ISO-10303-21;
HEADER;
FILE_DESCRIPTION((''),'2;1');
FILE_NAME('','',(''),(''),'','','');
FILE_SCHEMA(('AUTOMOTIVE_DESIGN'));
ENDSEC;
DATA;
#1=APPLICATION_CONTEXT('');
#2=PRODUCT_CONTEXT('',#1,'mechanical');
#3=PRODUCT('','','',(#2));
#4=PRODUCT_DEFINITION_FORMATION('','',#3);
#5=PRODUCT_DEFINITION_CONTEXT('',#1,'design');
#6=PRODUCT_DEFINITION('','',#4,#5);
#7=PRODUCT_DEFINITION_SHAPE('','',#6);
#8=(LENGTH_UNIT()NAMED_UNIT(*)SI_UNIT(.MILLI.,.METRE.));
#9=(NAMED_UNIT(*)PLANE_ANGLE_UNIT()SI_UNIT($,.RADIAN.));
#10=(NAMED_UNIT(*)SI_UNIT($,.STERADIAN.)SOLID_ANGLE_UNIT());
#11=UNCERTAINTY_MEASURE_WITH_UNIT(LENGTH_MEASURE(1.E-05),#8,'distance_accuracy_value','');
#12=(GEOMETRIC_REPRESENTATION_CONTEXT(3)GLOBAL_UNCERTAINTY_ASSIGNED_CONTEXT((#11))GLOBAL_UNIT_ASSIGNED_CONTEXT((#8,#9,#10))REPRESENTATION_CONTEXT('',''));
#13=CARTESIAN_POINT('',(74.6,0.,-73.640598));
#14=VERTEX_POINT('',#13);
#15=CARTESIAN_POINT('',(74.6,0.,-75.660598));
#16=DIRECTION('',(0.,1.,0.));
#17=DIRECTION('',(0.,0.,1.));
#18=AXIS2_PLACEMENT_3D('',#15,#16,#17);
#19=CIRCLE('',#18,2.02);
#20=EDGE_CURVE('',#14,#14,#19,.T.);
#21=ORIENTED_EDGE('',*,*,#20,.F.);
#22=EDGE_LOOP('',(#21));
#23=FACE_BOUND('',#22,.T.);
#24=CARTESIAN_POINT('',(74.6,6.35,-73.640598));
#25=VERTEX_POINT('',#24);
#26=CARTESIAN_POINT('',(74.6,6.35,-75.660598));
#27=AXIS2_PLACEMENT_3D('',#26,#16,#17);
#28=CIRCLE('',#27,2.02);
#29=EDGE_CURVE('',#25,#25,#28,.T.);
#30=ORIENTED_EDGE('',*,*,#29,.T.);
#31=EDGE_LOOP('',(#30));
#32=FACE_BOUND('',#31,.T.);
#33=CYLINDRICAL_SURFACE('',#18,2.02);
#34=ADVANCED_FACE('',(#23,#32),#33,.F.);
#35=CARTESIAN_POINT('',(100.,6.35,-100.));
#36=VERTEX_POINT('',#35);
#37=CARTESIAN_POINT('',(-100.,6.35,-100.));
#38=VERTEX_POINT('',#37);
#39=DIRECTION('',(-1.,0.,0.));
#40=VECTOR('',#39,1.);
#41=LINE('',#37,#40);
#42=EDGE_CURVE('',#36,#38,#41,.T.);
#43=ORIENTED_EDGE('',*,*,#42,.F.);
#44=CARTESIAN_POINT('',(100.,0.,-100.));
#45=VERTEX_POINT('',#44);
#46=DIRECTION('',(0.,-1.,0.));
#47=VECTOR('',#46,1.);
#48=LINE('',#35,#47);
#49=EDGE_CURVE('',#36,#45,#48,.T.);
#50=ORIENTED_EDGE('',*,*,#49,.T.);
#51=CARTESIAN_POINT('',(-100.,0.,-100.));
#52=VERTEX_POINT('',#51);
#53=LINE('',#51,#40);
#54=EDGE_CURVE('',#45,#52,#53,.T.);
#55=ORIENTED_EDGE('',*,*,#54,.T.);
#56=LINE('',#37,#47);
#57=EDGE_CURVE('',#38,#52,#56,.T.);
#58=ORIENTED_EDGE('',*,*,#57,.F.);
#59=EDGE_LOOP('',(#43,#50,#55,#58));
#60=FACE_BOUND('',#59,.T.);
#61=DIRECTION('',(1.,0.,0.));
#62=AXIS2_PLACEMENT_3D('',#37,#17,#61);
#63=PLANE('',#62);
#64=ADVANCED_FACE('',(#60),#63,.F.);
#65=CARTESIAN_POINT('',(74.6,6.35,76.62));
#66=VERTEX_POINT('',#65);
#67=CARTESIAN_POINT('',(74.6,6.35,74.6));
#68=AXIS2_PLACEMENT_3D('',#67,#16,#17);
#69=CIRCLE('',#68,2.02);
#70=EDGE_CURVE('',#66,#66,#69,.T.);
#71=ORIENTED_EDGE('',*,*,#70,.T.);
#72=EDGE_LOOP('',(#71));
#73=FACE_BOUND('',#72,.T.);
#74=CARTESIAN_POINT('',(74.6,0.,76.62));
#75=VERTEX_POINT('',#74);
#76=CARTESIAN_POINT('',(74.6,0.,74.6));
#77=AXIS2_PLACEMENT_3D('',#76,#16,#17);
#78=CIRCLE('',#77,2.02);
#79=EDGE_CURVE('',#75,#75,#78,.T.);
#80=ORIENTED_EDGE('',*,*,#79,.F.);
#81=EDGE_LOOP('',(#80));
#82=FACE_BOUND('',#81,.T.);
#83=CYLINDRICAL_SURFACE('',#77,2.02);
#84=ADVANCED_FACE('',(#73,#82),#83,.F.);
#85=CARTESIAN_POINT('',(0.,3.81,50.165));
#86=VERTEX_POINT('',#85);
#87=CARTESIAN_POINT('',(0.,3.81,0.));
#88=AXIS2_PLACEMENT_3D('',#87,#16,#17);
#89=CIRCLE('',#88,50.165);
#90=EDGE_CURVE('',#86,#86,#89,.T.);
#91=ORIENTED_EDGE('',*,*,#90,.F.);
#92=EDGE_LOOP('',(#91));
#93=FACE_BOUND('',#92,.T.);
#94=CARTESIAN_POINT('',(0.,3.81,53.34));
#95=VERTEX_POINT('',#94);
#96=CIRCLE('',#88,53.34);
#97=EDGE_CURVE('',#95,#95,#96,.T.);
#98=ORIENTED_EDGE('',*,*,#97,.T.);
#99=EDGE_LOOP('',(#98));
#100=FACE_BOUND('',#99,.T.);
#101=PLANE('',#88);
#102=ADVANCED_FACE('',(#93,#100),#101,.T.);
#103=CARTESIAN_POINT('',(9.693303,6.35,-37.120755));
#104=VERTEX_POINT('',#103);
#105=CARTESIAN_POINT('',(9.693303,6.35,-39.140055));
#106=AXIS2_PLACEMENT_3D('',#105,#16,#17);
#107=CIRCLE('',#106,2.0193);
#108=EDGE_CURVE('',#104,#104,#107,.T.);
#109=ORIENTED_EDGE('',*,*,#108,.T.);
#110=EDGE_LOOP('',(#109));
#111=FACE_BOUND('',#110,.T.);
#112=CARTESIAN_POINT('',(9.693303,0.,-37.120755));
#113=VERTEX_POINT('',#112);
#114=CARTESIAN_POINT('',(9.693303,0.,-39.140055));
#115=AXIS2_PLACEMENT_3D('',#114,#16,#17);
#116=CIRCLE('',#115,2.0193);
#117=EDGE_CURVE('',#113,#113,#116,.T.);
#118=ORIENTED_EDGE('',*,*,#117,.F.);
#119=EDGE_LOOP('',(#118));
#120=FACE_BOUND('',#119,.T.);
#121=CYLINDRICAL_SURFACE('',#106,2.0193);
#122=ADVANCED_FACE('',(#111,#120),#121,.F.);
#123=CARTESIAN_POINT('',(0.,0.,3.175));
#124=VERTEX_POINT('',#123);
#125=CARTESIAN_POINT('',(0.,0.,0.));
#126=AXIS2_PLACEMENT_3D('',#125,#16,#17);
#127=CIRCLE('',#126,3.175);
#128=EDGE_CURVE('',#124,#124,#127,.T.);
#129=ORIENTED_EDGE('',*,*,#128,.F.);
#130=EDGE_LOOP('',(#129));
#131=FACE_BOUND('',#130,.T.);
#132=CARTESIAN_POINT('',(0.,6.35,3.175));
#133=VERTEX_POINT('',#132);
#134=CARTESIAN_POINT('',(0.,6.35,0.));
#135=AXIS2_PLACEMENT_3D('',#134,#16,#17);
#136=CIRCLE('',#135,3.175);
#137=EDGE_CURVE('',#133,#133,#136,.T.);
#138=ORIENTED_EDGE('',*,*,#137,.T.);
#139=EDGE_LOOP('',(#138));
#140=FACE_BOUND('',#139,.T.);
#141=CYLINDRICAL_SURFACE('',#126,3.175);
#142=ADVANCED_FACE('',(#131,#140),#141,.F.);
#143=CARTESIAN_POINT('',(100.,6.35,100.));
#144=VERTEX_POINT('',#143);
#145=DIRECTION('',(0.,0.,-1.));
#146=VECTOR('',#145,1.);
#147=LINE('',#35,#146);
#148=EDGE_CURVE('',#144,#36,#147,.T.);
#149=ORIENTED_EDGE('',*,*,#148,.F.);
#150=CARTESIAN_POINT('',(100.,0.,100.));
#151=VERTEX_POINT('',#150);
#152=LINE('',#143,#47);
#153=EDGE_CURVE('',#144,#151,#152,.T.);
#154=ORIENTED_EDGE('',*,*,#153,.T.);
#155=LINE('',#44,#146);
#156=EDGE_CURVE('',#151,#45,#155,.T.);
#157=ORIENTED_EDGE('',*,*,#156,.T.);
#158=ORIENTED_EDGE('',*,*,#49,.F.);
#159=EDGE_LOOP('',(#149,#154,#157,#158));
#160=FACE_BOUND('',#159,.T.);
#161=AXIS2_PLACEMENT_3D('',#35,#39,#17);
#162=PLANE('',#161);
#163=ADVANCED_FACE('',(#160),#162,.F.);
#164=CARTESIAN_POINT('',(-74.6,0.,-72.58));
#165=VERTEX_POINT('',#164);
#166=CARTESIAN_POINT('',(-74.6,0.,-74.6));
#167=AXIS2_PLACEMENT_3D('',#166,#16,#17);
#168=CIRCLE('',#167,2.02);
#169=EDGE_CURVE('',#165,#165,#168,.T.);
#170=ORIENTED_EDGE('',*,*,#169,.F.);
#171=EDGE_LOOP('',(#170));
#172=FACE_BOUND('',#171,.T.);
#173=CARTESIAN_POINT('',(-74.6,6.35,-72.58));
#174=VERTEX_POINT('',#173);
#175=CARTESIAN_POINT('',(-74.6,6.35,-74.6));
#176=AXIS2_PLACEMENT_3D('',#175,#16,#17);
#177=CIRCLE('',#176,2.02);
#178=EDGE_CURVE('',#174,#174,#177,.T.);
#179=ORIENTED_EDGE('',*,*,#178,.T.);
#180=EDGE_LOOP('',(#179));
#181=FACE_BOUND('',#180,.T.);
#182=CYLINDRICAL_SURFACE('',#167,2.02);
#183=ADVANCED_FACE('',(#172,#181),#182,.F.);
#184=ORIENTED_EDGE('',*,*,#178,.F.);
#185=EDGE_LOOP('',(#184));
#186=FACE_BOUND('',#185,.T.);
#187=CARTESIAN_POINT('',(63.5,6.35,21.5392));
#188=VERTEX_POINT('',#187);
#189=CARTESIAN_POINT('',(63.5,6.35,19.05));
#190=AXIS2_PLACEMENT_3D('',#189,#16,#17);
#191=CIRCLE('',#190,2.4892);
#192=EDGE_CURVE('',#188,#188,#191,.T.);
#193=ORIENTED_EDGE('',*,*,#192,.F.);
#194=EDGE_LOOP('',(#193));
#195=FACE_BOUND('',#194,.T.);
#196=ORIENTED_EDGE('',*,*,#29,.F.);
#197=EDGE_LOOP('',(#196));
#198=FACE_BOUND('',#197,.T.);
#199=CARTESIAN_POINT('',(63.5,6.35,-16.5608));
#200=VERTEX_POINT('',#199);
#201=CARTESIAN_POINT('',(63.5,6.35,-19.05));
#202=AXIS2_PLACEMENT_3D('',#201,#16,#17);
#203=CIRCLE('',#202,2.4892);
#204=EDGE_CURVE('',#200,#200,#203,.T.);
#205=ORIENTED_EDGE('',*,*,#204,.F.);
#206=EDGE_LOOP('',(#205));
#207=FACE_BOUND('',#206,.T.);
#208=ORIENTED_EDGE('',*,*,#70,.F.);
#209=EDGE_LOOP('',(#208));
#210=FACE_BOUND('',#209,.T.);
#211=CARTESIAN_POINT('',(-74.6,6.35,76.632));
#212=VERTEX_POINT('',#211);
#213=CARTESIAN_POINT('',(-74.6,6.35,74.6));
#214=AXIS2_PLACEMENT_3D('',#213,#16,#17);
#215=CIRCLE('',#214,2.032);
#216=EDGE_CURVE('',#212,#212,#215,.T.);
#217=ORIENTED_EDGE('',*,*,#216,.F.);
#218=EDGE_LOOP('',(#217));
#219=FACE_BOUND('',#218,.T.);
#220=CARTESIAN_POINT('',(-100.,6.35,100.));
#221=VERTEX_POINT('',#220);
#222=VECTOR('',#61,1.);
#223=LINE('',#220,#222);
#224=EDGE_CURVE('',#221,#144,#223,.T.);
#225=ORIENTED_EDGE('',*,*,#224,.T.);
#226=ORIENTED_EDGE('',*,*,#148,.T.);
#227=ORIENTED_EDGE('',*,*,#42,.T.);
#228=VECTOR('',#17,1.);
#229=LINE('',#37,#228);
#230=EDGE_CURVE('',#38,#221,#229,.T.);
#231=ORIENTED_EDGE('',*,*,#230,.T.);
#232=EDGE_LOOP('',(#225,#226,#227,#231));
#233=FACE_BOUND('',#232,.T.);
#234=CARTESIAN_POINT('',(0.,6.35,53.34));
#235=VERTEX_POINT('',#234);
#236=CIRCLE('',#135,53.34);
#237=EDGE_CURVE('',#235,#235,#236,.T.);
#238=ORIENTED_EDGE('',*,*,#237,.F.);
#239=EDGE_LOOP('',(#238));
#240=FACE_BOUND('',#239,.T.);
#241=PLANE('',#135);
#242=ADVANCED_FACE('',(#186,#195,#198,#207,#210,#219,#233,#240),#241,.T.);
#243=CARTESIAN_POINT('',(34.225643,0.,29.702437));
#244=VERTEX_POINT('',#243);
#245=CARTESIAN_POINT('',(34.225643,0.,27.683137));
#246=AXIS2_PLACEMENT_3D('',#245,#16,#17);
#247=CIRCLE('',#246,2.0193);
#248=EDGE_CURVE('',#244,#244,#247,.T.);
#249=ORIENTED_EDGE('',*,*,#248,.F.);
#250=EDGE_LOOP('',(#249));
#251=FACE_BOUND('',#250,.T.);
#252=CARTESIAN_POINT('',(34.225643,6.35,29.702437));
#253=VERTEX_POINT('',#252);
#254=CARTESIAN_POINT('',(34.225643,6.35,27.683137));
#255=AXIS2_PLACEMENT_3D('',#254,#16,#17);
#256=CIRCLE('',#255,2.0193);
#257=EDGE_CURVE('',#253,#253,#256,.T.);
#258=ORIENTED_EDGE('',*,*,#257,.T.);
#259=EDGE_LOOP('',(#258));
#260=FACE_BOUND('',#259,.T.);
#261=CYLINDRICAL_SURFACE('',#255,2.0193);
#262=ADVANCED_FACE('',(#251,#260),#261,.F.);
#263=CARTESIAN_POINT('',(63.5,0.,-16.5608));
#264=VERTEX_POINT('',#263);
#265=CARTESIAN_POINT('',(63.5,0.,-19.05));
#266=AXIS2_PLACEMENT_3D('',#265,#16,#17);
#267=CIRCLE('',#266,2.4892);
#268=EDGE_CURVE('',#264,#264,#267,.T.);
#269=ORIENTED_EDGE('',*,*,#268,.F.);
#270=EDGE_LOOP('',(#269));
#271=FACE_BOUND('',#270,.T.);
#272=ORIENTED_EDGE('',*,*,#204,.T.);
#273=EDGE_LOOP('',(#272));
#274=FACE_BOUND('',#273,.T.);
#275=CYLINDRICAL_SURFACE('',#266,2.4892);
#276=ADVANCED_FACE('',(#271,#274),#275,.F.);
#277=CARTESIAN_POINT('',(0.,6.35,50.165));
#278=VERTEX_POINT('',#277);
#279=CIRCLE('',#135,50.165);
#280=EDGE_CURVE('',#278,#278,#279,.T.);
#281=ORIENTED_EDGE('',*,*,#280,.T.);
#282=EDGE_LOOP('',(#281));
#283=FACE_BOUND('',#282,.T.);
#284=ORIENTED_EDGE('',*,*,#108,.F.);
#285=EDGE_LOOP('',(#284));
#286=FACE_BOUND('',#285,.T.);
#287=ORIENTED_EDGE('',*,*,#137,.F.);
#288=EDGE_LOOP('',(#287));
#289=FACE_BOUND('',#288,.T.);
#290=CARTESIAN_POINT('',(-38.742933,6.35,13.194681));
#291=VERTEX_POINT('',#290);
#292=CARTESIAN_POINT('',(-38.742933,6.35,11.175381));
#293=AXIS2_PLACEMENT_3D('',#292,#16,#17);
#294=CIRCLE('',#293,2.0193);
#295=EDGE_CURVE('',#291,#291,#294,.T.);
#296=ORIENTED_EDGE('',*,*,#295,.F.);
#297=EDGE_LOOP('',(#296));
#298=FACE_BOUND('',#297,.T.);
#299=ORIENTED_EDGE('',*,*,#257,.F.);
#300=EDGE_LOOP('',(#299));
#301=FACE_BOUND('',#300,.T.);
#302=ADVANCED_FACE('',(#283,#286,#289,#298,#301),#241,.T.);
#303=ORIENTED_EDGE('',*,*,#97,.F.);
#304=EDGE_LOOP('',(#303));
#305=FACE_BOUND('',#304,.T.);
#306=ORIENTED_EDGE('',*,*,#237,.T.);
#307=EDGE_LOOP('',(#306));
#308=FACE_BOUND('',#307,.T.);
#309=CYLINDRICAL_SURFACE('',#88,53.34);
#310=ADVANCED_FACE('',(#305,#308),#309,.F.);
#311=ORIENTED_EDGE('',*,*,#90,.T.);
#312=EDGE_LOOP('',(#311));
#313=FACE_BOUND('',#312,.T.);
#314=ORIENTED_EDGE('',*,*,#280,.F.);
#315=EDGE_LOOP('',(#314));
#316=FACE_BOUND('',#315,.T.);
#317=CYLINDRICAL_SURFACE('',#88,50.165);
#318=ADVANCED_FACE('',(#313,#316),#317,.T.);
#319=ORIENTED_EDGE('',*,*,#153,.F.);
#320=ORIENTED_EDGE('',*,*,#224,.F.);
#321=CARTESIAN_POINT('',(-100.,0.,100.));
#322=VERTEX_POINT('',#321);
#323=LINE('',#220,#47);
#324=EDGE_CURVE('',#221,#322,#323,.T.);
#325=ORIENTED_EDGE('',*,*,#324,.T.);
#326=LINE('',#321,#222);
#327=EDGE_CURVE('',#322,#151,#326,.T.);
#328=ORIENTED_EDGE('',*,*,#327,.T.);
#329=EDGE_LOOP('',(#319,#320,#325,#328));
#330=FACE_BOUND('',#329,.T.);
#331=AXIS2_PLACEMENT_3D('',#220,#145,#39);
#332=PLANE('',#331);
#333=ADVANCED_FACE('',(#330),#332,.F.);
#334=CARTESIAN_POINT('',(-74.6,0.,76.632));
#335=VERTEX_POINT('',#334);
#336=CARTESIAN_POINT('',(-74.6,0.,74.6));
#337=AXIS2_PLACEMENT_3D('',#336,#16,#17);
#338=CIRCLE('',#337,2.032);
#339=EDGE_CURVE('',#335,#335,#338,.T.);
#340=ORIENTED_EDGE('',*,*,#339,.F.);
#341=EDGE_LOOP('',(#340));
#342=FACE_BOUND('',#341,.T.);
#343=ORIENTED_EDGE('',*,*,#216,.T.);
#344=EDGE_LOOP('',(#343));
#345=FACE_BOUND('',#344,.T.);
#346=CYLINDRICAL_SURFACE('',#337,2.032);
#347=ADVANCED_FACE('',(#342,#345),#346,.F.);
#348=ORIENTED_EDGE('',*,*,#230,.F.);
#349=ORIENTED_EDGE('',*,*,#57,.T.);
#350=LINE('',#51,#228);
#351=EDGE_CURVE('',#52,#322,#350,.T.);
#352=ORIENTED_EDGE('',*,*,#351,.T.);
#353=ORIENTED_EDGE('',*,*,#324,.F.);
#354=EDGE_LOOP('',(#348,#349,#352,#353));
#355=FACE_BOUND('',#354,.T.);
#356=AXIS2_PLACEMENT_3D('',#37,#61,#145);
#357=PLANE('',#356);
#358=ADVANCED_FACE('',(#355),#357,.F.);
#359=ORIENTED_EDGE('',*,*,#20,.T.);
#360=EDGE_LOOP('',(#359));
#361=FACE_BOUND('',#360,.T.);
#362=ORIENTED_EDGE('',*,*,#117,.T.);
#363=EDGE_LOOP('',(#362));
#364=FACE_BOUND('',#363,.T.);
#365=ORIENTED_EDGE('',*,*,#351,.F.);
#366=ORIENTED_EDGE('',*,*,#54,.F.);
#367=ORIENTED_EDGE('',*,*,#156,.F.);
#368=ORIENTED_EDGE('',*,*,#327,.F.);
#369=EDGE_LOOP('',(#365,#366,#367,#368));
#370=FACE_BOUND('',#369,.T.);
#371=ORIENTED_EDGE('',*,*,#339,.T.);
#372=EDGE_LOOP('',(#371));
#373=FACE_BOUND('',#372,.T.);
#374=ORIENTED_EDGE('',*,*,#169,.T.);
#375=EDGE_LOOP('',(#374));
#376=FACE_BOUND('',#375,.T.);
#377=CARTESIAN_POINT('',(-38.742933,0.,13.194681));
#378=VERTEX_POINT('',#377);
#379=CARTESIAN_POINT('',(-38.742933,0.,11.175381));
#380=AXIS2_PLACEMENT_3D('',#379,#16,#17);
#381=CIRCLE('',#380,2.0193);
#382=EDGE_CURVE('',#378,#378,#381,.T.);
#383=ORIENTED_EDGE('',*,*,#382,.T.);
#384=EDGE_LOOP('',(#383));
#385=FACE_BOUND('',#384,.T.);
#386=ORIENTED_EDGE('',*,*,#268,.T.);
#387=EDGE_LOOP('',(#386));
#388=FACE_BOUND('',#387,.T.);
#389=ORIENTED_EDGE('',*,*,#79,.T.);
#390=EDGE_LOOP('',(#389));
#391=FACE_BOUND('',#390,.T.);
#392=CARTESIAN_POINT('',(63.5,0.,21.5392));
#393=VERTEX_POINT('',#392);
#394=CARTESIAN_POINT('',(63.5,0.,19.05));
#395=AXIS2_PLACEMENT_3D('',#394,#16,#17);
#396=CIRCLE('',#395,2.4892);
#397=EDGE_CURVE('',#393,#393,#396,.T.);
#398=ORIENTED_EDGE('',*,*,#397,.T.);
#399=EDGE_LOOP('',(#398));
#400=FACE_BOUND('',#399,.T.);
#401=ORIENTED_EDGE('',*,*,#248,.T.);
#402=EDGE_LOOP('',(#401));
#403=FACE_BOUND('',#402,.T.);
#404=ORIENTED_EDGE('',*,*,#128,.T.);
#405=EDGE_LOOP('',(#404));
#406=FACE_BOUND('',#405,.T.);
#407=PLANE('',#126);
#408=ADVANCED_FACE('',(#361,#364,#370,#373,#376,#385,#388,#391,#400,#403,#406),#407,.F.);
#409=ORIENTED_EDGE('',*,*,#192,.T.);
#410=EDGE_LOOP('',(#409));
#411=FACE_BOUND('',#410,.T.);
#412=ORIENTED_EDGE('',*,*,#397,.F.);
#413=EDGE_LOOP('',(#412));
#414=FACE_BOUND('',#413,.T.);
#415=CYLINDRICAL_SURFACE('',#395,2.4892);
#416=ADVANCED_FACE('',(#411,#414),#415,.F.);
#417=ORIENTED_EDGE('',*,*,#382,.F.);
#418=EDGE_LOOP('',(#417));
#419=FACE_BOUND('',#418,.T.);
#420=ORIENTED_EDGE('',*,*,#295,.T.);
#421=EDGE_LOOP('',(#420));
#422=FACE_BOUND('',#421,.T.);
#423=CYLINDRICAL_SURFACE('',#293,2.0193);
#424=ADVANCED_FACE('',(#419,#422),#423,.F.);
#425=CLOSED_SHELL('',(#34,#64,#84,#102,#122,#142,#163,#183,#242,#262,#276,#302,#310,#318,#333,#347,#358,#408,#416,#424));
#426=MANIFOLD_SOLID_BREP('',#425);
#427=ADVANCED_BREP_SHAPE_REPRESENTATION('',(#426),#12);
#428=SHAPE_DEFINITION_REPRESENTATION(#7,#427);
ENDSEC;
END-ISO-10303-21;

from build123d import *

# Parameters (mm, degrees)
SKETCH1_W                  = 200
SKETCH1_H                  = 200
BOSS_EXTRUDE1_DEPTH        = 6.35
SKETCH2_R                  = 3.175
CUT_EXTRUDE1_DEPTH         = 7.35
SKETCH3_R                  = 2.4892
CUT_EXTRUDE2_DEPTH         = 7.35
SKETCH4_R                  = 53.34
SKETCH4_R_2                = 50.165
CUT_EXTRUDE3_DEPTH         = 2.54
F_10_32_TAPPED_HOLE1_D     = 4.0386
F_10_32_TAPPED_HOLE1_DEPTH = 13.716
F_10_32_TAPPED_HOLE1_TIP   = 1.213317848
SKETCH9_R                  = 2.02
SKETCH9_R_2                = 2.032
CUT_EXTRUDE4_DEPTH         = 7.35


with BuildPart() as part:
    # Sketch1 → Boss-Extrude1 (new body)
    with BuildSketch(Plane(origin=(0, 0, 0), x_dir=(1, 0, 0), z_dir=(0, 1, 0))):
        Rectangle(SKETCH1_W, SKETCH1_H)
    extrude(amount=BOSS_EXTRUDE1_DEPTH)

    # Sketch2 → Cut-Extrude1 (cut, through all)
    with BuildSketch(Plane(origin=(0, 6.35, 0), x_dir=(1, 0, 0), z_dir=(0, 1, 0))):
        Circle(SKETCH2_R)
    extrude(amount=-CUT_EXTRUDE1_DEPTH, mode=Mode.SUBTRACT)

    # Sketch3 → Cut-Extrude2 (cut, through all)
    with BuildSketch(Plane(origin=(0, 6.35, 0), x_dir=(1, 0, 0), z_dir=(0, 1, 0))):
        with Locations((63.5, -19.05)):
            Circle(SKETCH3_R)
        with Locations((63.5, 19.05)):
            Circle(SKETCH3_R)
    extrude(amount=-CUT_EXTRUDE2_DEPTH, mode=Mode.SUBTRACT)

    # Sketch4 → Cut-Extrude3 (cut)
    with BuildSketch(Plane(origin=(0, 6.35, 0), x_dir=(1, 0, 0), z_dir=(0, 1, 0))):
        Circle(SKETCH4_R)
        Circle(SKETCH4_R_2, mode=Mode.SUBTRACT)
    extrude(amount=-CUT_EXTRUDE3_DEPTH, mode=Mode.SUBTRACT)

    # #10-32 Tapped Hole1
    with Locations(Plane(origin=(0, 6.35, 0), x_dir=(1, 0, 0), z_dir=(0, 1, 0))):
        with Locations((9.693302756, 39.140054777), (-38.74293312, -11.175380955), (34.225642894, -27.683137416)):
            Hole(F_10_32_TAPPED_HOLE1_D / 2, depth=F_10_32_TAPPED_HOLE1_DEPTH)
            with Locations((0, 0, -(F_10_32_TAPPED_HOLE1_DEPTH + F_10_32_TAPPED_HOLE1_TIP / 2))):  # 118° drill point
                Cone(0, F_10_32_TAPPED_HOLE1_D / 2, F_10_32_TAPPED_HOLE1_TIP, mode=Mode.SUBTRACT)

    # Sketch9 → Cut-Extrude4 (cut, through all)
    with BuildSketch(Plane(origin=(0, 6.35, 0), x_dir=(1, 0, 0), z_dir=(0, 1, 0))):
        with Locations((-74.6, 74.6)):
            Circle(SKETCH9_R)
        with Locations((74.6, 75.660597777)):
            Circle(SKETCH9_R)
        with Locations((74.6, -74.6)):
            Circle(SKETCH9_R)
        with Locations((-74.6, -74.6)):
            Circle(SKETCH9_R_2)
    extrude(amount=-CUT_EXTRUDE4_DEPTH, mode=Mode.SUBTRACT)


solid = part.part
